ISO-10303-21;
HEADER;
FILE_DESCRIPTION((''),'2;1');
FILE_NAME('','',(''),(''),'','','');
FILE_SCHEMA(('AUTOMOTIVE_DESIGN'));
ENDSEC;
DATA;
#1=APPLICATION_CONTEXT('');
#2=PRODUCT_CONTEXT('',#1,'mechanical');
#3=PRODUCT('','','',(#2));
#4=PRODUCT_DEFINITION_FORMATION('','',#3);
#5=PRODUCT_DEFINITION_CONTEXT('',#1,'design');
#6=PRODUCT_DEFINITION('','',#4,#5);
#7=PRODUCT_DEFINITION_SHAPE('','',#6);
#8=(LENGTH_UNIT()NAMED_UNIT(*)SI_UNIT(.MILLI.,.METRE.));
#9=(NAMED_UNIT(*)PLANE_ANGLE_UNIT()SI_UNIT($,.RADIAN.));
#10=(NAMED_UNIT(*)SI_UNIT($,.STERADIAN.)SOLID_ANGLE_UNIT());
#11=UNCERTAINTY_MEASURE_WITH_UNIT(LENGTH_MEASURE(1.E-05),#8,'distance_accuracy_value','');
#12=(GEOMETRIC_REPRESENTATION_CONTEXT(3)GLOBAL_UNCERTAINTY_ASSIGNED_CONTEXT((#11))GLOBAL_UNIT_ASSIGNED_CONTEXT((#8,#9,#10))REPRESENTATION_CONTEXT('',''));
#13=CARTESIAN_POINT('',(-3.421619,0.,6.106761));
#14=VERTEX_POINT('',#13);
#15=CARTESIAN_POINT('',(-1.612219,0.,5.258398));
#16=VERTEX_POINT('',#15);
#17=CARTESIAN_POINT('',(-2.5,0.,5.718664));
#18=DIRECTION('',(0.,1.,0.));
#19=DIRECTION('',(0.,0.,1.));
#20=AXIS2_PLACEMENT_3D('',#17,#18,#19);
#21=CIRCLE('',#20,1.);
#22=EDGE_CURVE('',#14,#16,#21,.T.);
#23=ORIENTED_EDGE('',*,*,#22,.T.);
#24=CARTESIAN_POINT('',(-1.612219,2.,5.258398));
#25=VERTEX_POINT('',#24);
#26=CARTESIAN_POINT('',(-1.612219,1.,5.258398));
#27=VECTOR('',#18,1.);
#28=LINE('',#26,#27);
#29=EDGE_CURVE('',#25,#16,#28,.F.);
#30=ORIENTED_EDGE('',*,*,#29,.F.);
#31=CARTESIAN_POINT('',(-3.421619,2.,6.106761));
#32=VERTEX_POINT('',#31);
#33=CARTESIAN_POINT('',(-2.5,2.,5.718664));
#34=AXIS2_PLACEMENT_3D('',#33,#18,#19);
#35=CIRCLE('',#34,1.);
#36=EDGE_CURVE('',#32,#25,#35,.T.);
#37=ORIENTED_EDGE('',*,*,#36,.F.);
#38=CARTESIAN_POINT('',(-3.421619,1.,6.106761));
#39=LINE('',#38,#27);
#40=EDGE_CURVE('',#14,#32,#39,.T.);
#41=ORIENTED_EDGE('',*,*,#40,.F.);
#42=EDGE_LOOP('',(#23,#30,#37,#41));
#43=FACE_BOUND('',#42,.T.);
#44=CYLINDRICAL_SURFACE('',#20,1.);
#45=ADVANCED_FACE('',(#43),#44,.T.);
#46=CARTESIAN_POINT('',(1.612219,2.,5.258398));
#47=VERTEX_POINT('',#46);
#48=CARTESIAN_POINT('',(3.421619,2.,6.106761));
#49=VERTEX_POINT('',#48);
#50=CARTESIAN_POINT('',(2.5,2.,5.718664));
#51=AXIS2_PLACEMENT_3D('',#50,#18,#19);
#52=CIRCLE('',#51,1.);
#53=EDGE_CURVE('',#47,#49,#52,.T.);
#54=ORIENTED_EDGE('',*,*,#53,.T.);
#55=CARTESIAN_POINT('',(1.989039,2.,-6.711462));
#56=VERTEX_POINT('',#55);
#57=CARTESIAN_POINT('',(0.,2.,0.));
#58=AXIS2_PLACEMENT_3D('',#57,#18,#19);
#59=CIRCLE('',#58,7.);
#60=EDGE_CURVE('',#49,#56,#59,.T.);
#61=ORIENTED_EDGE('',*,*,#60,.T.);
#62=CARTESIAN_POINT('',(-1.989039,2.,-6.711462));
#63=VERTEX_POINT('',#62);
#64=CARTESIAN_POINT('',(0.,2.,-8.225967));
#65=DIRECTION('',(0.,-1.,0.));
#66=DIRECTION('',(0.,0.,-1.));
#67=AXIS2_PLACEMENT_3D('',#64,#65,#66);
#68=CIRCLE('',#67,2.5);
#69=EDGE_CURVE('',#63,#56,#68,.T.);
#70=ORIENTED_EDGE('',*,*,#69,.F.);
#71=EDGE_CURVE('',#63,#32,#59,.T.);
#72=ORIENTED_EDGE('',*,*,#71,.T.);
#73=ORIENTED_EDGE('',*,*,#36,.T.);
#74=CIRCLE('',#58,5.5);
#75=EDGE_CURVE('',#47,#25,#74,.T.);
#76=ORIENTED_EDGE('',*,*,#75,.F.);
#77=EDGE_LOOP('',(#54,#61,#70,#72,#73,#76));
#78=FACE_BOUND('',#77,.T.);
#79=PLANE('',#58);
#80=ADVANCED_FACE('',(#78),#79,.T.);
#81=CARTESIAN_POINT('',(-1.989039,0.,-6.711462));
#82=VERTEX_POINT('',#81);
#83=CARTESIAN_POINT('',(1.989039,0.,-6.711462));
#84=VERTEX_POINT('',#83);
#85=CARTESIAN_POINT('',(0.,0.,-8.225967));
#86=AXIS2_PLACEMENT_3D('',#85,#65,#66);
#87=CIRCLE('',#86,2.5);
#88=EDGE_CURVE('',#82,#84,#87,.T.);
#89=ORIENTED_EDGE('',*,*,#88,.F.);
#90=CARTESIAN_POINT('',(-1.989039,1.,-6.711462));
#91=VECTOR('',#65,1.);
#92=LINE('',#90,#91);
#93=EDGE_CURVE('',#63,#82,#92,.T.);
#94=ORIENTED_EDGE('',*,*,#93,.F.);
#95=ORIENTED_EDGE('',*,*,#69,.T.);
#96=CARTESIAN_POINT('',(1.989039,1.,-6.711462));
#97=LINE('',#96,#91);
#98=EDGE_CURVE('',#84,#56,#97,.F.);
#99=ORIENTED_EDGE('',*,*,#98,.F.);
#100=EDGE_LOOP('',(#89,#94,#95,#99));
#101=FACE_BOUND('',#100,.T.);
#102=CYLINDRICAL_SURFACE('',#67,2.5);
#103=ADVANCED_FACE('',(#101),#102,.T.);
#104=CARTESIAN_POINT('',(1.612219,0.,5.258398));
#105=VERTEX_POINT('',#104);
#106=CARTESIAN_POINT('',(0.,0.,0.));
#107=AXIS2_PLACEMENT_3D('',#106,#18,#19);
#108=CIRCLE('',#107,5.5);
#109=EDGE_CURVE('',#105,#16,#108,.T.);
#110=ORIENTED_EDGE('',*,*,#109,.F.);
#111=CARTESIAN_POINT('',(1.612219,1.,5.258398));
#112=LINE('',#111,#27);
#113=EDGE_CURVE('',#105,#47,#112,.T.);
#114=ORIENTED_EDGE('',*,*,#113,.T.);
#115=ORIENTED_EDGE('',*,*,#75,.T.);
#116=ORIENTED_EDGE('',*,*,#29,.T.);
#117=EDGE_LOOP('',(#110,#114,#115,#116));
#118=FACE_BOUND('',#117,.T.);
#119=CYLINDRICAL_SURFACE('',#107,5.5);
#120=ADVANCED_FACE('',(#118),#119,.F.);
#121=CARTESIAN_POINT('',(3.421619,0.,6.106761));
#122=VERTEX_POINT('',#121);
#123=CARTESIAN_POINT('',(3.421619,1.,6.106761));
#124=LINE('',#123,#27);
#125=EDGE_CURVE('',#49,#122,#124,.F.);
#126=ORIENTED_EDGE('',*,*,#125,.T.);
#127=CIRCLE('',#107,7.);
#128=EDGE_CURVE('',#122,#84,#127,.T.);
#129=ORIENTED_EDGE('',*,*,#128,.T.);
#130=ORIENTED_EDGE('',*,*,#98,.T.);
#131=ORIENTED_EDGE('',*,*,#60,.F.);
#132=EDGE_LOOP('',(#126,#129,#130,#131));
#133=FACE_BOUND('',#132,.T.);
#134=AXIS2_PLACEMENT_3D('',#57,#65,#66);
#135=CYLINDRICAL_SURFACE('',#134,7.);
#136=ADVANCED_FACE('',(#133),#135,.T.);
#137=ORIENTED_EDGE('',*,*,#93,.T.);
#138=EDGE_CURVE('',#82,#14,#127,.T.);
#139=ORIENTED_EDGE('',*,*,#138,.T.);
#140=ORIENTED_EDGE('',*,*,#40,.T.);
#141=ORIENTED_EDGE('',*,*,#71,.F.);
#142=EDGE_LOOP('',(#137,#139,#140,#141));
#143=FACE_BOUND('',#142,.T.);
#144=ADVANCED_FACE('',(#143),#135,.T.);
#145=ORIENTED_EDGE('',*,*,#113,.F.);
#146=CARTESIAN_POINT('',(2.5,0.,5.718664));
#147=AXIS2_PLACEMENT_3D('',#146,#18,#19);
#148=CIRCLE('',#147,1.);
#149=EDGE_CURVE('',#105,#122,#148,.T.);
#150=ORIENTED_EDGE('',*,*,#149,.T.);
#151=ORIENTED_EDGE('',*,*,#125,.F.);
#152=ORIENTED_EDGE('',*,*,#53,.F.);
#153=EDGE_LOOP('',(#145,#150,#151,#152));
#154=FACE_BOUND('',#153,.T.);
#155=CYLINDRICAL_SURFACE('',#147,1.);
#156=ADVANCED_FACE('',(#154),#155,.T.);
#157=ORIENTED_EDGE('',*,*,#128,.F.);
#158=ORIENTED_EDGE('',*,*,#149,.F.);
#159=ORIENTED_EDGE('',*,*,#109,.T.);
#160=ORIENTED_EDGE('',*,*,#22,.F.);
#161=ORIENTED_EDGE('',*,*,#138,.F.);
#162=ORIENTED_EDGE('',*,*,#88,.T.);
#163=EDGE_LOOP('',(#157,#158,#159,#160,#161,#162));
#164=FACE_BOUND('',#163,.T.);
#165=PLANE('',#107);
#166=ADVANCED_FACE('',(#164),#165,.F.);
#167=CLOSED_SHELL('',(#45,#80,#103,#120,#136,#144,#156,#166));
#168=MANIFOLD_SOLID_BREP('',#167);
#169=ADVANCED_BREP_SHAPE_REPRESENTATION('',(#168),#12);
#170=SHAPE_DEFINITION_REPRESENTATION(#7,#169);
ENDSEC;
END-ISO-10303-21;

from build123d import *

# Parameters (mm, degrees)
SKETCH1_R           = 7
BOSS_EXTRUDE1_DEPTH = 2
SKETCH2_R           = 5.5
CUT_EXTRUDE1_DEPTH  = 2
SKETCH3_R           = 2.5
BOSS_EXTRUDE4_DEPTH = 2
SKETCH4_W           = 5
SKETCH4_H           = 5.341067824
CUT_EXTRUDE4_DEPTH  = 2
SKETCH6_R           = 1
BOSS_EXTRUDE6_DEPTH = 2
SKETCH8_R           = 1
BOSS_EXTRUDE7_DEPTH = 2
SKETCH9_R           = 5.5
CUT_EXTRUDE5_DEPTH  = 2


with BuildPart() as part:
    # Sketch1 → Boss-Extrude1 (new body)
    with BuildSketch(Plane(origin=(0, 0, 0), x_dir=(1, 0, 0), z_dir=(0, 1, 0))):
        with Locations(Location((0, 0, 0), (0, 0, 270))):
            Circle(SKETCH1_R)
    extrude(amount=BOSS_EXTRUDE1_DEPTH)

    # Sketch2 → Cut-Extrude1 (cut)
    with BuildSketch(Plane(origin=(0, 2, 0), x_dir=(1, 0, 0), z_dir=(0, 1, 0))):
        with Locations(Location((0, 0, 0), (0, 0, 270))):
            Circle(SKETCH2_R)
    extrude(amount=-CUT_EXTRUDE1_DEPTH, mode=Mode.SUBTRACT)

    # Sketch3 → Boss-Extrude4 (add)
    with BuildSketch(Plane.XZ):
        with Locations((0, -8.225966767)):
            Circle(SKETCH3_R)
    extrude(amount=-BOSS_EXTRUDE4_DEPTH)

    # Sketch4 → Cut-Extrude4 (cut)
    with BuildSketch(Plane(origin=(0, 2, 0), x_dir=(1, 0, 0), z_dir=(0, 1, 0))):
        with Locations((0, -7)):
            Rectangle(SKETCH4_W, SKETCH4_H)
    extrude(amount=-CUT_EXTRUDE4_DEPTH, mode=Mode.SUBTRACT)

    # Sketch6 → Boss-Extrude6 (add)
    with BuildSketch(Plane(origin=(0, 2, 0), x_dir=(1, 0, 0), z_dir=(0, 1, 0))):
        with Locations((2.5, -5.71866395)):
            Circle(SKETCH6_R)
    extrude(amount=-BOSS_EXTRUDE6_DEPTH)

    # Sketch8 → Boss-Extrude7 (add)
    with BuildSketch(Plane(origin=(0, 2, 0), x_dir=(1, 0, 0), z_dir=(0, 1, 0))):
        with Locations((-2.5, -5.71866395)):
            Circle(SKETCH8_R)
    extrude(amount=-BOSS_EXTRUDE7_DEPTH)

    # Sketch9 → Cut-Extrude5 (cut)
    with BuildSketch(Plane(origin=(0, 2, 0), x_dir=(1, 0, 0), z_dir=(0, 1, 0))):
        Circle(SKETCH9_R)
    extrude(amount=-CUT_EXTRUDE5_DEPTH, mode=Mode.SUBTRACT)


solid = part.part
